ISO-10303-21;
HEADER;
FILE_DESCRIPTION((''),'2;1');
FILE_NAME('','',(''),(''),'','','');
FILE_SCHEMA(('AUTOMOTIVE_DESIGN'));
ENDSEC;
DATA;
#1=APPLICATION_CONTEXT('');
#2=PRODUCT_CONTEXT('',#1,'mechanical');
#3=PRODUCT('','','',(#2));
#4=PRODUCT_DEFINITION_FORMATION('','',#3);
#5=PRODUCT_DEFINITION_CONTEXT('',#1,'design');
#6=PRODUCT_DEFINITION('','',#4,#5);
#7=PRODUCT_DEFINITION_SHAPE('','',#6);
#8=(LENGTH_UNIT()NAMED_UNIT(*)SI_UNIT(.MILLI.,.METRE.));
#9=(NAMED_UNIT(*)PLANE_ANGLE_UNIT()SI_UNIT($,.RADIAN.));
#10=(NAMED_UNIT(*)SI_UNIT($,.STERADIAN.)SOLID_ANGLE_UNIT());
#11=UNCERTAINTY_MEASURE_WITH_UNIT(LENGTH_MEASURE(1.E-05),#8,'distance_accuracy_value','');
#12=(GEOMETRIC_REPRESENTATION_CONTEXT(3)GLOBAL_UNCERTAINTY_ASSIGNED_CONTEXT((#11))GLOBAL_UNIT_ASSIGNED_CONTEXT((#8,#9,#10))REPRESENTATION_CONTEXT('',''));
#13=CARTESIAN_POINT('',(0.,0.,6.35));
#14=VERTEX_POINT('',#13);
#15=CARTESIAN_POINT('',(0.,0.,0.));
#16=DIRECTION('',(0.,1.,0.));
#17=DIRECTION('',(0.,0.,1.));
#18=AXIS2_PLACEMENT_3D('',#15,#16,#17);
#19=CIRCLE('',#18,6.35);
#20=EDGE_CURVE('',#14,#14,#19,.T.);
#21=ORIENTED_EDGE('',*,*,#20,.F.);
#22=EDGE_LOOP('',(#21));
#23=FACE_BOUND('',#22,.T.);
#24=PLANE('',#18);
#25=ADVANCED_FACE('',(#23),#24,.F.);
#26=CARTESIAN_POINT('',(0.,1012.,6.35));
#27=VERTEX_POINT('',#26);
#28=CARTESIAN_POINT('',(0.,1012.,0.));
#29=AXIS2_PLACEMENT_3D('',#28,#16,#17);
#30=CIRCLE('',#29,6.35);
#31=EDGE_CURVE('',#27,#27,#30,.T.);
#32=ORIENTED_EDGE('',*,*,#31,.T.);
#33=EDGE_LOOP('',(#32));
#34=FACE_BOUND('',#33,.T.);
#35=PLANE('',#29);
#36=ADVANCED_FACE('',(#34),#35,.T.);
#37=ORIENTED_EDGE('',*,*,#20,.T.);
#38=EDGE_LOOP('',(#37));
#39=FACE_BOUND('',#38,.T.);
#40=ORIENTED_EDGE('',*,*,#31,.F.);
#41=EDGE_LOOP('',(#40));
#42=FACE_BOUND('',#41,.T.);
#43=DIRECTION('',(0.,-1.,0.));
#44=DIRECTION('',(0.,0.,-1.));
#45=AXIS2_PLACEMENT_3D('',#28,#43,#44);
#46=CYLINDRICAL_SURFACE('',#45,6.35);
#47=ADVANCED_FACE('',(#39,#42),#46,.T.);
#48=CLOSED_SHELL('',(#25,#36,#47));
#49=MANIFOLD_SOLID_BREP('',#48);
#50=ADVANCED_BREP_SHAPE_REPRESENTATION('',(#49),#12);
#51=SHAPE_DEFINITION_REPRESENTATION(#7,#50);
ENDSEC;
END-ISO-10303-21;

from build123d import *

# Parameters (mm, degrees)
CROQUIS1_R              = 6.35
SALIENTE_EXTRUIR1_DEPTH = 1012


with BuildPart() as part:
    # Croquis1 → Saliente-Extruir1 (new body)
    with BuildSketch(Plane(origin=(0, 0, 0), x_dir=(1, 0, 0), z_dir=(0, 1, 0))):
        Circle(CROQUIS1_R)
    extrude(amount=SALIENTE_EXTRUIR1_DEPTH)


solid = part.part
